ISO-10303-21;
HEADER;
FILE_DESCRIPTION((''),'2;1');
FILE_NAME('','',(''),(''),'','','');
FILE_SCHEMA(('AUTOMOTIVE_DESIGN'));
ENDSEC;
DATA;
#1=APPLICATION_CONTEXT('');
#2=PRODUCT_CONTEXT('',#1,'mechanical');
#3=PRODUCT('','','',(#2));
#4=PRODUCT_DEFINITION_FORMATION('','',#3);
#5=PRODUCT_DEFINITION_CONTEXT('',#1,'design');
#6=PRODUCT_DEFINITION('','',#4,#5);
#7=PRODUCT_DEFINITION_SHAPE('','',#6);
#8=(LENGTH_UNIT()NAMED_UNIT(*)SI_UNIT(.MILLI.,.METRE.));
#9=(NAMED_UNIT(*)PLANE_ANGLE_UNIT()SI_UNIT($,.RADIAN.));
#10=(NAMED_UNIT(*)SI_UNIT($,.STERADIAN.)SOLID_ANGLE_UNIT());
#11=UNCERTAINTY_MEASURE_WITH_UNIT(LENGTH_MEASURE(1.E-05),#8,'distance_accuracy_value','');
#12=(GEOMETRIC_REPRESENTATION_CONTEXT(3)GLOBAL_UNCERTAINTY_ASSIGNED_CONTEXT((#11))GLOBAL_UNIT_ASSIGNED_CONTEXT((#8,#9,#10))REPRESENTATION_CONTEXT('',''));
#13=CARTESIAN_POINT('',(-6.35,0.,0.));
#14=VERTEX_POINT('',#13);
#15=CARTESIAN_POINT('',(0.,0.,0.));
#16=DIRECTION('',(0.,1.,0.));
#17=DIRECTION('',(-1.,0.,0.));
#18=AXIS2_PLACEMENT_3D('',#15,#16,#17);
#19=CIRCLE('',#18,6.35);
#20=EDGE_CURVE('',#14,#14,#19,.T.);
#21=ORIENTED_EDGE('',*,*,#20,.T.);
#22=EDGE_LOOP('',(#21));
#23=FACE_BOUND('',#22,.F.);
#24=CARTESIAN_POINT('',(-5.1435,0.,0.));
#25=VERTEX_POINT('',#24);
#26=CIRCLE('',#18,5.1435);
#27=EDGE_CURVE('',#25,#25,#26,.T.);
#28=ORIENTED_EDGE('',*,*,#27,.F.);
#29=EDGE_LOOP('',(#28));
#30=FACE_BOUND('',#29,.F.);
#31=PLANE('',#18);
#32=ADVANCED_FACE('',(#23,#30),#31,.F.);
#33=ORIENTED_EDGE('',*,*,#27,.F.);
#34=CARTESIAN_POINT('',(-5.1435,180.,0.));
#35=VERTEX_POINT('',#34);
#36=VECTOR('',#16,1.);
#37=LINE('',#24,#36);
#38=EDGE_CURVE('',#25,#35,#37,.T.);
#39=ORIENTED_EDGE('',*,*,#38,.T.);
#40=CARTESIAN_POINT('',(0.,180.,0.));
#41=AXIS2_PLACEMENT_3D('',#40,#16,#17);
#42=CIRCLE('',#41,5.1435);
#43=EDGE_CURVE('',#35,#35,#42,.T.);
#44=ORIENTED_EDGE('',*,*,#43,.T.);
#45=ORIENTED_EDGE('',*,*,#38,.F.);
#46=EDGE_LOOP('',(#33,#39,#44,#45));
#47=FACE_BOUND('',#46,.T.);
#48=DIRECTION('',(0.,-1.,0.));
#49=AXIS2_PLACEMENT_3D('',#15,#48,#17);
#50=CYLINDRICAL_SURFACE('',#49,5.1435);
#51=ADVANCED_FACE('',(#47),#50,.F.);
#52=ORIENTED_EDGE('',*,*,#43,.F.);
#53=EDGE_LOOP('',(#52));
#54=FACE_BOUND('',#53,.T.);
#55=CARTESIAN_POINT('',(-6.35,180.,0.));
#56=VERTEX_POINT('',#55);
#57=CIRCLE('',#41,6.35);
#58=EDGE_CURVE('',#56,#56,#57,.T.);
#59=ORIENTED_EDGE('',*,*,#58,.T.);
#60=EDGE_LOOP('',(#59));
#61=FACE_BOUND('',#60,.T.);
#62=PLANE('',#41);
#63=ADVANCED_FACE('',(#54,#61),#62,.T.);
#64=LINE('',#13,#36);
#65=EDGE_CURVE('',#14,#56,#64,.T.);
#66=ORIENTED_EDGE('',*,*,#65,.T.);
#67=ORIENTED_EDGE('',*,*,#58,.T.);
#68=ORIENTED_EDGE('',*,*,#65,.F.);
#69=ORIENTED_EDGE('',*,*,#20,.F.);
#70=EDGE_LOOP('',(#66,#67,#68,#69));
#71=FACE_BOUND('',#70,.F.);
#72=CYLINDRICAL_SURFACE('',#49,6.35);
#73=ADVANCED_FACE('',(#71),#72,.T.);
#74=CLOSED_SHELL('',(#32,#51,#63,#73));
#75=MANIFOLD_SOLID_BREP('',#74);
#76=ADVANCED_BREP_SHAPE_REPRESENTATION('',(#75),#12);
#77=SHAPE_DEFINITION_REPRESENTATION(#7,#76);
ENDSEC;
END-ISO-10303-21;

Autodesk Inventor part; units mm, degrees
ref_plane "YZ Plane" through (0, 0, 0) normal (1, 0, 0) x (0, 1, 0)
ref_plane "XZ Plane" through (0, 0, 0) normal (0, 1, 0) x (-1, 0, 0)
ref_plane "XY Plane" through (0, 0, 0) normal (0, 0, 1) x (1, 0, 0)
sketch "Sketch1" plane through (0, 0, 0) normal (0, 1, 0) x (-1, 0, 0)
  circle A0 centre (0, 0) radius 6.35
  circle A1 centre (0, 0) radius 5.1435
  dimension "d0" = 12.7
  dimension "d1" = 10.287
extrude "Extrusion1" add sketch "Sketch1" along normal blind 180
properties part number "susrod_front"
